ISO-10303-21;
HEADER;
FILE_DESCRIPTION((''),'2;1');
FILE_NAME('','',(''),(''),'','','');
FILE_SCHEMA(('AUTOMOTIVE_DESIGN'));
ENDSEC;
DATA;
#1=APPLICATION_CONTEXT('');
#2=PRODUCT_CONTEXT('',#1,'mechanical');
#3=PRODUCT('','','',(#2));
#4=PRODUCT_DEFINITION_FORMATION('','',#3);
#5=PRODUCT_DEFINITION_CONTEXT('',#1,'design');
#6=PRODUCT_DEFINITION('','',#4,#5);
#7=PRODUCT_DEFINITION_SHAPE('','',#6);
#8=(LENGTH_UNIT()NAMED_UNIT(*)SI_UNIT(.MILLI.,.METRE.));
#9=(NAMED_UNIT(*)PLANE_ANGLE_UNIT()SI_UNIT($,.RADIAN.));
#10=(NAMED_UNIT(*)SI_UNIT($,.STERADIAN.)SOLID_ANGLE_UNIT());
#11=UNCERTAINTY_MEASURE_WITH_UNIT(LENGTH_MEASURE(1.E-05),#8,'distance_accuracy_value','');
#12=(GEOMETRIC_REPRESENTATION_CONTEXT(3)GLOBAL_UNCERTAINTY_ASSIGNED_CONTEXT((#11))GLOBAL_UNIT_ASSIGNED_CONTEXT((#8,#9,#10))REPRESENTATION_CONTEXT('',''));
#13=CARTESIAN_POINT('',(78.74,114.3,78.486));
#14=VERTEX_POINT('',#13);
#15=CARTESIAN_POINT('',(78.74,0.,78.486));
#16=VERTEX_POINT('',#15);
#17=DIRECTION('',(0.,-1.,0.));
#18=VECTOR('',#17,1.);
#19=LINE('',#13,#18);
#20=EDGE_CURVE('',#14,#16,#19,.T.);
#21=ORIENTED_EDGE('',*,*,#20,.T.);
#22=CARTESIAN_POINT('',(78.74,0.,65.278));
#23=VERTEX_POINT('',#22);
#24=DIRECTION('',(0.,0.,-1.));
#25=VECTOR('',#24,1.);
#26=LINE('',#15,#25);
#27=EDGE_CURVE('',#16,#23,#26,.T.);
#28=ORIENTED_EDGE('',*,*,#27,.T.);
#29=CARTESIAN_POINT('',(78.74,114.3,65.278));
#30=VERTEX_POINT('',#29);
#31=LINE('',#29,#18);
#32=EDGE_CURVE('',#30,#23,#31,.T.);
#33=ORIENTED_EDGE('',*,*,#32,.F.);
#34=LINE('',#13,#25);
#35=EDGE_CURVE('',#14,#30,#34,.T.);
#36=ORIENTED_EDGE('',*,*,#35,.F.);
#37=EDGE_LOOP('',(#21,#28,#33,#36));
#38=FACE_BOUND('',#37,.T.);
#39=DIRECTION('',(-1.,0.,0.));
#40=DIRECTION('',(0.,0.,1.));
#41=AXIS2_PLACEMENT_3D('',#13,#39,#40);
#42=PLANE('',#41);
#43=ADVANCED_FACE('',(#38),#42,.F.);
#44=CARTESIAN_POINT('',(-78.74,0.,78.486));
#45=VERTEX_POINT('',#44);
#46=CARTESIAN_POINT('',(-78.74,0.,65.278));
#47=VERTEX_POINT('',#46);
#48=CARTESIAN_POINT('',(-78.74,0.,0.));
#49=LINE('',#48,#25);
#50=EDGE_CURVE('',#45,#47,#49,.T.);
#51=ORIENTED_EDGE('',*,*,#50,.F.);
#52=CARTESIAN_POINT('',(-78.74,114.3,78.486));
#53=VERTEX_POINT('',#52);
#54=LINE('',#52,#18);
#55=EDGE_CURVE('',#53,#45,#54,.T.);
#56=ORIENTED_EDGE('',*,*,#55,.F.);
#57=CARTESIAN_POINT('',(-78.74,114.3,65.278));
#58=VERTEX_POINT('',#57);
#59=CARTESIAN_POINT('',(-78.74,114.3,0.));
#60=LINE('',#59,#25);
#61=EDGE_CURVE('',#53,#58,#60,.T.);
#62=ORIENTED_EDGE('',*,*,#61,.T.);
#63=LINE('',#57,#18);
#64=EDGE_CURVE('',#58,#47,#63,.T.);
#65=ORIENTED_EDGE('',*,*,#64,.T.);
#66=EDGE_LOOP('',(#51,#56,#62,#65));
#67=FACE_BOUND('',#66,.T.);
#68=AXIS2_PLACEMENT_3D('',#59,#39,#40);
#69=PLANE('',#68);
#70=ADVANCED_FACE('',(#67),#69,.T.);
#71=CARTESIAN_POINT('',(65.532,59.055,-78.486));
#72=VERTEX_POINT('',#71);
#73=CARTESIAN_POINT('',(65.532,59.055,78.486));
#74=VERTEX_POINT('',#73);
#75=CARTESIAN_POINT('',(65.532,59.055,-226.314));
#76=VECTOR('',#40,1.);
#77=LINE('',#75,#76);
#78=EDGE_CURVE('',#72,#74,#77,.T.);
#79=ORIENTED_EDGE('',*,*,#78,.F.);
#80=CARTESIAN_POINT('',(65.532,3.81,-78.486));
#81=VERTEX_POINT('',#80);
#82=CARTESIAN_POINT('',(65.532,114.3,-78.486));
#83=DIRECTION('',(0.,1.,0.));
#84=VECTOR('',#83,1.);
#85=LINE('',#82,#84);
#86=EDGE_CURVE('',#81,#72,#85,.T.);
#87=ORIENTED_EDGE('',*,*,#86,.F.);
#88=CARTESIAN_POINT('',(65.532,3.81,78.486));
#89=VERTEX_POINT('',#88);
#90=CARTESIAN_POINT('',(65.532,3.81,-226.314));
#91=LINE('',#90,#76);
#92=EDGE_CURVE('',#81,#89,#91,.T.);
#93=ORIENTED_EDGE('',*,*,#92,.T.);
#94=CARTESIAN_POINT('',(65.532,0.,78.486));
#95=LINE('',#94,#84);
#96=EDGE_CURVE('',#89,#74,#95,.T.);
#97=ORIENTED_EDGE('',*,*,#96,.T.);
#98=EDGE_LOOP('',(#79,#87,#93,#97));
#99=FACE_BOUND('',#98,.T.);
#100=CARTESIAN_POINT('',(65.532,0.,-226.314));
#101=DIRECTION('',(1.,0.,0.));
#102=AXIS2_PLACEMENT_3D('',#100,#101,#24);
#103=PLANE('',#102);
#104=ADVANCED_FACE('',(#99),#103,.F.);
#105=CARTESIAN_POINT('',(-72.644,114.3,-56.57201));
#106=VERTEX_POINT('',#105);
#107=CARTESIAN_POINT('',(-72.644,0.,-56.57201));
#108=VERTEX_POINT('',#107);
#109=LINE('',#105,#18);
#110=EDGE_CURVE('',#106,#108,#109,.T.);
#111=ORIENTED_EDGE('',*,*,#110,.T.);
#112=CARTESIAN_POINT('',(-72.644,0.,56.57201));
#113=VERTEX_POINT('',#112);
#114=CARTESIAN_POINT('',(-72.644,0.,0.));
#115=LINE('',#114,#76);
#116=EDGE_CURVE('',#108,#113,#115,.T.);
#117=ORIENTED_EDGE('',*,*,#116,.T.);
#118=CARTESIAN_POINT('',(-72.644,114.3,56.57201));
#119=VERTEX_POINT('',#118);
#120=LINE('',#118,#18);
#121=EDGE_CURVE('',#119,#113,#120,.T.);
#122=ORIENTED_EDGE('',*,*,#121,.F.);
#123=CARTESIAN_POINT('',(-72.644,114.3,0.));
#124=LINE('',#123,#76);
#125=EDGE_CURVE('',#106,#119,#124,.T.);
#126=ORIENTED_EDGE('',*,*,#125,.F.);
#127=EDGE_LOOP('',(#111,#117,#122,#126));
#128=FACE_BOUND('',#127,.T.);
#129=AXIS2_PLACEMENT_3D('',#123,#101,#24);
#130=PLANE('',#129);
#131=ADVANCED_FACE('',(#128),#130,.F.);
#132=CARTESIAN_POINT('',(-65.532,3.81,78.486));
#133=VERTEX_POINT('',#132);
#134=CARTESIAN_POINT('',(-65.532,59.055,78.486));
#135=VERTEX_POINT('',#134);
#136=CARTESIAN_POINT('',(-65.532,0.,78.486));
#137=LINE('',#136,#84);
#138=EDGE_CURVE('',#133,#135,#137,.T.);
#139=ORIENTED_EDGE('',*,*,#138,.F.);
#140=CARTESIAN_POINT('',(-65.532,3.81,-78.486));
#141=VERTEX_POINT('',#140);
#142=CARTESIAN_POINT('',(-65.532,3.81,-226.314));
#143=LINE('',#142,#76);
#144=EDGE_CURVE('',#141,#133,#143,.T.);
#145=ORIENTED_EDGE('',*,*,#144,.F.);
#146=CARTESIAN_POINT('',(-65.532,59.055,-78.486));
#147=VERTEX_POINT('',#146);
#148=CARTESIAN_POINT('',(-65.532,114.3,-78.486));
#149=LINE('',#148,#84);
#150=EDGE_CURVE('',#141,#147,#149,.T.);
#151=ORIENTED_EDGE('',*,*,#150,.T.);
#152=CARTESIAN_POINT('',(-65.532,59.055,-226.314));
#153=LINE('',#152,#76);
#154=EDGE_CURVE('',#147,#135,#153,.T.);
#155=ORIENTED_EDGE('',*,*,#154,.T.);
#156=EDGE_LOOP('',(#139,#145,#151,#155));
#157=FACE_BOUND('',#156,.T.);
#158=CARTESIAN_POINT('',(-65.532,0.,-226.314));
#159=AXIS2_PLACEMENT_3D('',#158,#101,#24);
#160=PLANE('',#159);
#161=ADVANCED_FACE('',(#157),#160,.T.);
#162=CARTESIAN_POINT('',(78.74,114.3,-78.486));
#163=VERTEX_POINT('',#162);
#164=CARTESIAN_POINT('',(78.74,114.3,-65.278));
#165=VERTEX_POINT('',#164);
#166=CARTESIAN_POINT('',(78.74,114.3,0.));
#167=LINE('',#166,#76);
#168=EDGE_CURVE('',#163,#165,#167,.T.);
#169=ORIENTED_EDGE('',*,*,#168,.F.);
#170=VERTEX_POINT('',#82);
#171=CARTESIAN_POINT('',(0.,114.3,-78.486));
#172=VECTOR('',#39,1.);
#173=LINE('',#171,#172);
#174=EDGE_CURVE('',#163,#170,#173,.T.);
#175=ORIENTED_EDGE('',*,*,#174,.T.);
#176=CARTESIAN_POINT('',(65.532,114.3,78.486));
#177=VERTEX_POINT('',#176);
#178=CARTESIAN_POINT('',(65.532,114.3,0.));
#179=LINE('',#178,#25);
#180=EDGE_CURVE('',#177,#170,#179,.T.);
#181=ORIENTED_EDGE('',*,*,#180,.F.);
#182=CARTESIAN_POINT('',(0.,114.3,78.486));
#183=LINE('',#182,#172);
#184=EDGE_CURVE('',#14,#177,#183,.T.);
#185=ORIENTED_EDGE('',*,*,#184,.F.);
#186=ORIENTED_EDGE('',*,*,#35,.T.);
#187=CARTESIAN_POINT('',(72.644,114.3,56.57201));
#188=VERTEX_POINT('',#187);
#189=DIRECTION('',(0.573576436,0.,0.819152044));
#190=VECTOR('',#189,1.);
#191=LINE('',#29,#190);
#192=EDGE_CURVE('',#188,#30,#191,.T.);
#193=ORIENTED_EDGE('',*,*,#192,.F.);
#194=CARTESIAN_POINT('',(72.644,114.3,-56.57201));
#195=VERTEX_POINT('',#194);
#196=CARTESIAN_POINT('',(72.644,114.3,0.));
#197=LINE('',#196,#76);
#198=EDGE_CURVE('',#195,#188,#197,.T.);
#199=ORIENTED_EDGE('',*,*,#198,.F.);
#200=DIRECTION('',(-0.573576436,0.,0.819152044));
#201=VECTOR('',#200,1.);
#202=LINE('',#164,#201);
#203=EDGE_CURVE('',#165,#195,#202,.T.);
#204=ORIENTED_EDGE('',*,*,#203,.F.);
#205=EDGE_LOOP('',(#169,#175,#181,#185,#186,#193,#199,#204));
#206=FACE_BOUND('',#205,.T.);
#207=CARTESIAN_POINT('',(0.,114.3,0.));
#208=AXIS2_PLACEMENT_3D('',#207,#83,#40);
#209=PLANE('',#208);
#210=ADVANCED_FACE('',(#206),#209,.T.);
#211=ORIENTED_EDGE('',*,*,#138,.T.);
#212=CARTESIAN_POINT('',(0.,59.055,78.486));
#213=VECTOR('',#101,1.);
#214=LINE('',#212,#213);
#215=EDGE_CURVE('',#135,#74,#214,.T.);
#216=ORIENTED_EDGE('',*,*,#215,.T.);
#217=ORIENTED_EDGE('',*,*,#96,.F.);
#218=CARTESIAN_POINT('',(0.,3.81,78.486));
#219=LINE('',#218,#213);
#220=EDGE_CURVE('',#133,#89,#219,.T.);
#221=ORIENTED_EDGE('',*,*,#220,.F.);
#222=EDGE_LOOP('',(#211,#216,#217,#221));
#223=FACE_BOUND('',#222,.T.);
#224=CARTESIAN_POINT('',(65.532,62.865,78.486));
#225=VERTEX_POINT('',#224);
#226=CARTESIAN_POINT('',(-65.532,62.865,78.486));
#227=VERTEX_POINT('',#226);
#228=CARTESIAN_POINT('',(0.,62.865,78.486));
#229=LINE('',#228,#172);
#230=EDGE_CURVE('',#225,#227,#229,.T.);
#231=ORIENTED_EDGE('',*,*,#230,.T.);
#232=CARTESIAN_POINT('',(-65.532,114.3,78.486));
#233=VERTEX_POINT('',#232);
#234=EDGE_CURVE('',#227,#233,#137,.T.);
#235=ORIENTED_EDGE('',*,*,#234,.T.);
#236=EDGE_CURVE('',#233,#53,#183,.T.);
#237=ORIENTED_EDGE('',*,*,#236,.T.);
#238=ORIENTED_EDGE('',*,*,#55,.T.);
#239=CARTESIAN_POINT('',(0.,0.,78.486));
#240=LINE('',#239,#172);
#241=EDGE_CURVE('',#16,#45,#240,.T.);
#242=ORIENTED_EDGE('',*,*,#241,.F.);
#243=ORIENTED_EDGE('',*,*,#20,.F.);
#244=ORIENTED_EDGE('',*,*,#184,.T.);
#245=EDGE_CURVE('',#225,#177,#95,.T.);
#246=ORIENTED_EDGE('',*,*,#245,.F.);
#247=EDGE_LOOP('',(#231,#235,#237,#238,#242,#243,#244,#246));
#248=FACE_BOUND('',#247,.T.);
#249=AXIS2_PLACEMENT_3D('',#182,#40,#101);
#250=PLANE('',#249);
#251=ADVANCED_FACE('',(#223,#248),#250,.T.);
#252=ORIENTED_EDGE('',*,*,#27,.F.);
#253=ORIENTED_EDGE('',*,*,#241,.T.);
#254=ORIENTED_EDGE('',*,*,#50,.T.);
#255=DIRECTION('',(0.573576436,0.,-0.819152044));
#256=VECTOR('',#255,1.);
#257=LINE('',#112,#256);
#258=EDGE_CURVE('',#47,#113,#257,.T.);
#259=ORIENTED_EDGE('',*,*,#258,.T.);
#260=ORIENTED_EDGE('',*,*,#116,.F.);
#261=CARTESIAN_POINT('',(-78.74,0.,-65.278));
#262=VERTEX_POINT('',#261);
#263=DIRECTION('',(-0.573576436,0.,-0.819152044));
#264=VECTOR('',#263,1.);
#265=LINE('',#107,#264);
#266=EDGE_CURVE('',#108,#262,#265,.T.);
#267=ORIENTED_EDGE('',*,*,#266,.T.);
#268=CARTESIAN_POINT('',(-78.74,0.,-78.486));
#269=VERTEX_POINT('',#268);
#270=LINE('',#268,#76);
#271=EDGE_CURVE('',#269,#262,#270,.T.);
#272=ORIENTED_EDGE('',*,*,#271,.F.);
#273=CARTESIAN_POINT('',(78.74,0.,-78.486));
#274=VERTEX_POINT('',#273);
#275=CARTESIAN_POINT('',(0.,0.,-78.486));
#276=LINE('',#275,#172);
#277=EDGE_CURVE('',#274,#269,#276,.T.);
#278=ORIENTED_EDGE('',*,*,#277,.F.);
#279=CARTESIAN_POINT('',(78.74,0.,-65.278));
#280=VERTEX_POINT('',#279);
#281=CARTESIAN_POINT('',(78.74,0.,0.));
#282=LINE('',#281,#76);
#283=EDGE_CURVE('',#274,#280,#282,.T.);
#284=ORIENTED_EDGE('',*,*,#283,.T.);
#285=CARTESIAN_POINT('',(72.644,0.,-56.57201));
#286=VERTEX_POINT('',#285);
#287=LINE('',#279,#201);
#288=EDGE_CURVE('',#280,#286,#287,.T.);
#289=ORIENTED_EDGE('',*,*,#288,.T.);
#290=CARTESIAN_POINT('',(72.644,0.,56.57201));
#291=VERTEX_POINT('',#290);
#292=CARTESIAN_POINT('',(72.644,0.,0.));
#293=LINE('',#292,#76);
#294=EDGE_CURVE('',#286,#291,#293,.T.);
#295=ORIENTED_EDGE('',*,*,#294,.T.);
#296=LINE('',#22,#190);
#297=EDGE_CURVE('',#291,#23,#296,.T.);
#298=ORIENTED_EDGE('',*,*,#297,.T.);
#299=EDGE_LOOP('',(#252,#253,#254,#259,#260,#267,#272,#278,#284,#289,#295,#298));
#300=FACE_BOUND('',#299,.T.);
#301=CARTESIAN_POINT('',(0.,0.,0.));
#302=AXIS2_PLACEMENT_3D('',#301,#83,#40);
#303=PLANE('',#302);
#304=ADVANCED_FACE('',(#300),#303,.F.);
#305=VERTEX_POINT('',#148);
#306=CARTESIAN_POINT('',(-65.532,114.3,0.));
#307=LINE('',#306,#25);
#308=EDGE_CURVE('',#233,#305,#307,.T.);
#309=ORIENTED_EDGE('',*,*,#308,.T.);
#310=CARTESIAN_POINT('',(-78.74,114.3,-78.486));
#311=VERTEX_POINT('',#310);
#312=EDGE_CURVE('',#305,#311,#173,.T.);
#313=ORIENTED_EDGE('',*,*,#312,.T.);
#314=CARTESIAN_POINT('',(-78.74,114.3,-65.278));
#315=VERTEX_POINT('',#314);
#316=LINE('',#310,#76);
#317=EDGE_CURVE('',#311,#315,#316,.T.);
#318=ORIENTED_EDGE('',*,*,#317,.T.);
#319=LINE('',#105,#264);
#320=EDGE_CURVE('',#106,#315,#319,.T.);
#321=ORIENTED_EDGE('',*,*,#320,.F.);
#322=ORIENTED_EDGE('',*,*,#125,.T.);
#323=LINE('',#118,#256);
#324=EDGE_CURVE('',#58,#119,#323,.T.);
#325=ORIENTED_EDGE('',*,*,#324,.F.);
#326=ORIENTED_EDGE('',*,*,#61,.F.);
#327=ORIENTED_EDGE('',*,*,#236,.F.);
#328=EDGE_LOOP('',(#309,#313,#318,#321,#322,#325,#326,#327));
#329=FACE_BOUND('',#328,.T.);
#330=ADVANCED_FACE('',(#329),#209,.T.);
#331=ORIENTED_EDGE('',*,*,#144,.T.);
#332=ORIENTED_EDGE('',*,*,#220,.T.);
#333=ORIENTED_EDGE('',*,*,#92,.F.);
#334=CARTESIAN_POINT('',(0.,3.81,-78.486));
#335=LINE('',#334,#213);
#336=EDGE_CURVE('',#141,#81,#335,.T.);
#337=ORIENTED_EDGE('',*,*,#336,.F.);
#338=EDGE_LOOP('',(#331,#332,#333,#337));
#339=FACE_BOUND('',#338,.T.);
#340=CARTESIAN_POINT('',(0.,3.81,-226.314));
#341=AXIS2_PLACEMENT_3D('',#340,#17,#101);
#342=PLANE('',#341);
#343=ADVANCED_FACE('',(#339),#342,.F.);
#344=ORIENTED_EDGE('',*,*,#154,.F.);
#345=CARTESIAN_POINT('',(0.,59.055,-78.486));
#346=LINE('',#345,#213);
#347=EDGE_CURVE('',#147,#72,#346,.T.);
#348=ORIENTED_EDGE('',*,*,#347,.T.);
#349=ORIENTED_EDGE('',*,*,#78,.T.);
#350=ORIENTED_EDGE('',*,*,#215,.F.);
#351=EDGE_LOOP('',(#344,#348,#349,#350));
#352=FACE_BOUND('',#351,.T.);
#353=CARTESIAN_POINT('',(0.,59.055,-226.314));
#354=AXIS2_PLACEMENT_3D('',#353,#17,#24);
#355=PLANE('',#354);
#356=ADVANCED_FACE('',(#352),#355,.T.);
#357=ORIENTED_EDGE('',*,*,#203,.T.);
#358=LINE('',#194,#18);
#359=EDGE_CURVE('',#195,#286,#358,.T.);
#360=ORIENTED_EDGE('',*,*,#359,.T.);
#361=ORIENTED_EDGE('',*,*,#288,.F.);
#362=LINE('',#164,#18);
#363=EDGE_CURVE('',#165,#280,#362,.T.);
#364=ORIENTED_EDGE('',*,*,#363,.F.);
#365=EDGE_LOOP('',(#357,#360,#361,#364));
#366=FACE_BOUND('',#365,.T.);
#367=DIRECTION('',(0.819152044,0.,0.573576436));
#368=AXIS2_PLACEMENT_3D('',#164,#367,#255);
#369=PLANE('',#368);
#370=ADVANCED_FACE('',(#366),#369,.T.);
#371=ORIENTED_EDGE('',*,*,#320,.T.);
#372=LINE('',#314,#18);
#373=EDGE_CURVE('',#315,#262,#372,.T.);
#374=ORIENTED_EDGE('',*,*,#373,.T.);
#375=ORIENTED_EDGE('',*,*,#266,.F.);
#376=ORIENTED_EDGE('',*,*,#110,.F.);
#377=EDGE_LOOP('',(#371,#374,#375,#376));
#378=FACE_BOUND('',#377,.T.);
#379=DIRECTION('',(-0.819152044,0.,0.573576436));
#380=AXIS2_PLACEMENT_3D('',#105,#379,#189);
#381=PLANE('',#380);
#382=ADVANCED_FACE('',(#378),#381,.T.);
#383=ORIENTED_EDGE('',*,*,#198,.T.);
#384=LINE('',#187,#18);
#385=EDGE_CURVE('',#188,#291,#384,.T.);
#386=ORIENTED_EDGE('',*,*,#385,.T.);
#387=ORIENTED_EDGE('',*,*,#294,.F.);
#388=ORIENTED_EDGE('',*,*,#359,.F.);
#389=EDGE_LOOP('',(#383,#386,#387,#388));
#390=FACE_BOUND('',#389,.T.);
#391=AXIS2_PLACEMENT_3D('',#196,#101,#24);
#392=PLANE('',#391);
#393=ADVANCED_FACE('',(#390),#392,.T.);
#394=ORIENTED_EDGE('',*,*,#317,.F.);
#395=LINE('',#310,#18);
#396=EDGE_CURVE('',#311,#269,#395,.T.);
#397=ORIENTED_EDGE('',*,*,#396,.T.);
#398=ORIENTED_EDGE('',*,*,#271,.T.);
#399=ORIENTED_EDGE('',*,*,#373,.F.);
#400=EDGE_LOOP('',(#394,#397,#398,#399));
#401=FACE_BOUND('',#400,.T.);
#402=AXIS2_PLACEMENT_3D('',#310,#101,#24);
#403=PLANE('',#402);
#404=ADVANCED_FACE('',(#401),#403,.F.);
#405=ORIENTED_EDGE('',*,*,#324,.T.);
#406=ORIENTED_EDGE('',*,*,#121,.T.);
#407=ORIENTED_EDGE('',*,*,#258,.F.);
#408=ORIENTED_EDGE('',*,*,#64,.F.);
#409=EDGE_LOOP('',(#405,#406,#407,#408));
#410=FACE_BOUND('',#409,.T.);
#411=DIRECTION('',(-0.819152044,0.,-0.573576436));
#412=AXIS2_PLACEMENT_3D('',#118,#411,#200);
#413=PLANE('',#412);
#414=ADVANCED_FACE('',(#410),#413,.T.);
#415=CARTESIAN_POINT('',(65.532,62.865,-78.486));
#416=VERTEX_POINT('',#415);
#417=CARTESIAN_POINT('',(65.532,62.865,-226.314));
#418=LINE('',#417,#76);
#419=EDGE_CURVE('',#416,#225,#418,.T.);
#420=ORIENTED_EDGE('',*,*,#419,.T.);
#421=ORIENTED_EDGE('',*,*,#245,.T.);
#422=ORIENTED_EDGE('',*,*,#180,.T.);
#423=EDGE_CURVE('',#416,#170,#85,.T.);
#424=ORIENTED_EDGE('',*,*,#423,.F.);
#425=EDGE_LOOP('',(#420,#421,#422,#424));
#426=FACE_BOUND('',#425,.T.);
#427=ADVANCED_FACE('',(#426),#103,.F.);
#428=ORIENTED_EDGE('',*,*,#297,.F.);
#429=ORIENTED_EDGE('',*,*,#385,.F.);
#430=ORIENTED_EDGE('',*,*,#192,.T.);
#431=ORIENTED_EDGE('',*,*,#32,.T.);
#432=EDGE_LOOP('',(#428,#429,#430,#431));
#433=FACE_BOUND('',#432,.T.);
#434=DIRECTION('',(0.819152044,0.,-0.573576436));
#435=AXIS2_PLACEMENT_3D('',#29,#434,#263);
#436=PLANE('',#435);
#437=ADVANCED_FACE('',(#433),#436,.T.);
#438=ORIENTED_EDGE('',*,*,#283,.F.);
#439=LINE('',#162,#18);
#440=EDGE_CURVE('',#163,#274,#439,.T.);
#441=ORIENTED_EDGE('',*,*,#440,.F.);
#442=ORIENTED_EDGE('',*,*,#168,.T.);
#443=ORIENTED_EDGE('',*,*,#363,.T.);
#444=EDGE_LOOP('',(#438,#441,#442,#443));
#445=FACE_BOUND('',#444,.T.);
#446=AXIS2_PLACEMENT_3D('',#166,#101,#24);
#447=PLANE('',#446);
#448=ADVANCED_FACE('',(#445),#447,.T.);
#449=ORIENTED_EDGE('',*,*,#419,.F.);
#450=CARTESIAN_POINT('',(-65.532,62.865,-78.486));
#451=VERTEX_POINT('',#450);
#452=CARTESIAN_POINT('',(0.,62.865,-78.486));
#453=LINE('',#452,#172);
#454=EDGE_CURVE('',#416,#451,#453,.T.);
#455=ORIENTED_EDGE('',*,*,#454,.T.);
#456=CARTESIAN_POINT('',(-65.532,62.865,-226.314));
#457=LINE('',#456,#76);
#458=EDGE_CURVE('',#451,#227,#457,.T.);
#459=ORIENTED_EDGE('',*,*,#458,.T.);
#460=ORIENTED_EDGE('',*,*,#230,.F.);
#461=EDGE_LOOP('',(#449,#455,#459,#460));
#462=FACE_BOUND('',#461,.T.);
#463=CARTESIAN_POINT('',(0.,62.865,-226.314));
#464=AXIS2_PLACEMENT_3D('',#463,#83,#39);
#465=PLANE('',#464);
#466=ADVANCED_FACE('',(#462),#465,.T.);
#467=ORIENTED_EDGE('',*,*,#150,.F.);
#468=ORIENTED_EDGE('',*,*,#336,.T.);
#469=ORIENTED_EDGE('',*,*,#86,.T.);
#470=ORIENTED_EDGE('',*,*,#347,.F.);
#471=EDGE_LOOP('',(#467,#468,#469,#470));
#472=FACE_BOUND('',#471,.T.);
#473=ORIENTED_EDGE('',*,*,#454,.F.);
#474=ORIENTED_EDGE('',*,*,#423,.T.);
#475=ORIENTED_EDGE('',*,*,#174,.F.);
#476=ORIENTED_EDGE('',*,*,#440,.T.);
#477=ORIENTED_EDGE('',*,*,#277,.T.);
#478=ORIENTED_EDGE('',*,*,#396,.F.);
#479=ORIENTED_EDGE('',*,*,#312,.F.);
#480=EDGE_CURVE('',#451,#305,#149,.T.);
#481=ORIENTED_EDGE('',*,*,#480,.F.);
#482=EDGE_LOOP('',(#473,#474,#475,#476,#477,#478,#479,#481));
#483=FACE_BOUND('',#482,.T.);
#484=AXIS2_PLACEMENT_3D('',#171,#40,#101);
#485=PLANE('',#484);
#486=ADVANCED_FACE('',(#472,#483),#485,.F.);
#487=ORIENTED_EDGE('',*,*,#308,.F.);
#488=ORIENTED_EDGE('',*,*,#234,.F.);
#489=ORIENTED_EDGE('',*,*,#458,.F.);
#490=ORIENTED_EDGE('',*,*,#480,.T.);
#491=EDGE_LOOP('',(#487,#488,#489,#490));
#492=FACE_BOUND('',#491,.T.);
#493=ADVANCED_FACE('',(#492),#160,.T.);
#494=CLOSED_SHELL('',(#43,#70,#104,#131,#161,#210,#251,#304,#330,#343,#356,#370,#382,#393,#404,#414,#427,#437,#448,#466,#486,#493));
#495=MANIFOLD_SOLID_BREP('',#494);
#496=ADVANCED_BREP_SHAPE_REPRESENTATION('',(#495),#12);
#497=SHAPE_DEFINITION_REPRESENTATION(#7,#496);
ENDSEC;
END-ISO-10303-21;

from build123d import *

# Parameters (mm, degrees)
SKETCH1_W           = 6.096
SKETCH1_H           = 13.208
BOSS_EXTRUDE1_DEPTH = 114.3
SKETCH3_W           = 131.064
SKETCH3_H           = 55.245
SKETCH3_H_2         = 51.435
CUT_EXTRUDE2_DEPTH  = 304.8
BOSS_EXTRUDE2_DEPTH = 114.3


with BuildPart() as part:
    # Sketch1 → Boss-Extrude1 (new body)
    with BuildSketch(Plane(origin=(0, 0, 0), x_dir=(1, 0, 0), z_dir=(0, 1, 0))):
        Polygon((72.644, 78.486), (0, 78.486), (0, 0), (72.644, 0), (72.644, 56.572009751), (72.644, 65.278), align=None)
        with Locations((75.692, 71.882)):
            Rectangle(SKETCH1_W, SKETCH1_H)
        Polygon((72.644, 0), (0, 0), (0, -78.486), (72.644, -78.486), (72.644, -65.278), (72.644, -56.572009751), align=None)
        Polygon((0, -78.486), (0, 0), (-72.644, 0), (-72.644, -56.572009751), (-72.644, -65.278), (-72.644, -78.486), align=None)
        with Locations((-75.692, -71.882)):
            Rectangle(SKETCH1_W, SKETCH1_H)
        Polygon((0, 0), (0, 78.486), (-72.644, 78.486), (-72.644, 65.278), (-72.644, 56.572009751), (-72.644, 0), align=None)
        with Locations((-75.692, 71.882)):
            Rectangle(SKETCH1_W, SKETCH1_H)
        with Locations((75.692, -71.882)):
            Rectangle(SKETCH1_W, SKETCH1_H)
    extrude(amount=BOSS_EXTRUDE1_DEPTH)

    # Sketch3 → Cut-Extrude2 (cut)
    with BuildSketch(Plane.XY.offset(78.486)):
        with Locations((0, 31.4325)):
            Rectangle(SKETCH3_W, SKETCH3_H)
        with Locations((0, 88.5825)):
            Rectangle(SKETCH3_W, SKETCH3_H_2)
    extrude(amount=-CUT_EXTRUDE2_DEPTH, mode=Mode.SUBTRACT)

    # Sketch4 → Boss-Extrude2 (add)
    with BuildSketch(Plane.XZ):
        Polygon((-78.74, 65.278), (-72.644, 65.278), (-72.644, 56.572009751), align=None)
        Polygon((-72.644, -65.278), (-78.74, -65.278), (-72.644, -56.572009751), align=None)
        Polygon((72.644, -65.278), (72.644, -56.572009751), (78.74, -65.278), align=None)
        Polygon((72.644, 56.572009751), (72.644, 65.278), (78.74, 65.278), align=None)
    extrude(amount=-BOSS_EXTRUDE2_DEPTH)


solid = part.part
